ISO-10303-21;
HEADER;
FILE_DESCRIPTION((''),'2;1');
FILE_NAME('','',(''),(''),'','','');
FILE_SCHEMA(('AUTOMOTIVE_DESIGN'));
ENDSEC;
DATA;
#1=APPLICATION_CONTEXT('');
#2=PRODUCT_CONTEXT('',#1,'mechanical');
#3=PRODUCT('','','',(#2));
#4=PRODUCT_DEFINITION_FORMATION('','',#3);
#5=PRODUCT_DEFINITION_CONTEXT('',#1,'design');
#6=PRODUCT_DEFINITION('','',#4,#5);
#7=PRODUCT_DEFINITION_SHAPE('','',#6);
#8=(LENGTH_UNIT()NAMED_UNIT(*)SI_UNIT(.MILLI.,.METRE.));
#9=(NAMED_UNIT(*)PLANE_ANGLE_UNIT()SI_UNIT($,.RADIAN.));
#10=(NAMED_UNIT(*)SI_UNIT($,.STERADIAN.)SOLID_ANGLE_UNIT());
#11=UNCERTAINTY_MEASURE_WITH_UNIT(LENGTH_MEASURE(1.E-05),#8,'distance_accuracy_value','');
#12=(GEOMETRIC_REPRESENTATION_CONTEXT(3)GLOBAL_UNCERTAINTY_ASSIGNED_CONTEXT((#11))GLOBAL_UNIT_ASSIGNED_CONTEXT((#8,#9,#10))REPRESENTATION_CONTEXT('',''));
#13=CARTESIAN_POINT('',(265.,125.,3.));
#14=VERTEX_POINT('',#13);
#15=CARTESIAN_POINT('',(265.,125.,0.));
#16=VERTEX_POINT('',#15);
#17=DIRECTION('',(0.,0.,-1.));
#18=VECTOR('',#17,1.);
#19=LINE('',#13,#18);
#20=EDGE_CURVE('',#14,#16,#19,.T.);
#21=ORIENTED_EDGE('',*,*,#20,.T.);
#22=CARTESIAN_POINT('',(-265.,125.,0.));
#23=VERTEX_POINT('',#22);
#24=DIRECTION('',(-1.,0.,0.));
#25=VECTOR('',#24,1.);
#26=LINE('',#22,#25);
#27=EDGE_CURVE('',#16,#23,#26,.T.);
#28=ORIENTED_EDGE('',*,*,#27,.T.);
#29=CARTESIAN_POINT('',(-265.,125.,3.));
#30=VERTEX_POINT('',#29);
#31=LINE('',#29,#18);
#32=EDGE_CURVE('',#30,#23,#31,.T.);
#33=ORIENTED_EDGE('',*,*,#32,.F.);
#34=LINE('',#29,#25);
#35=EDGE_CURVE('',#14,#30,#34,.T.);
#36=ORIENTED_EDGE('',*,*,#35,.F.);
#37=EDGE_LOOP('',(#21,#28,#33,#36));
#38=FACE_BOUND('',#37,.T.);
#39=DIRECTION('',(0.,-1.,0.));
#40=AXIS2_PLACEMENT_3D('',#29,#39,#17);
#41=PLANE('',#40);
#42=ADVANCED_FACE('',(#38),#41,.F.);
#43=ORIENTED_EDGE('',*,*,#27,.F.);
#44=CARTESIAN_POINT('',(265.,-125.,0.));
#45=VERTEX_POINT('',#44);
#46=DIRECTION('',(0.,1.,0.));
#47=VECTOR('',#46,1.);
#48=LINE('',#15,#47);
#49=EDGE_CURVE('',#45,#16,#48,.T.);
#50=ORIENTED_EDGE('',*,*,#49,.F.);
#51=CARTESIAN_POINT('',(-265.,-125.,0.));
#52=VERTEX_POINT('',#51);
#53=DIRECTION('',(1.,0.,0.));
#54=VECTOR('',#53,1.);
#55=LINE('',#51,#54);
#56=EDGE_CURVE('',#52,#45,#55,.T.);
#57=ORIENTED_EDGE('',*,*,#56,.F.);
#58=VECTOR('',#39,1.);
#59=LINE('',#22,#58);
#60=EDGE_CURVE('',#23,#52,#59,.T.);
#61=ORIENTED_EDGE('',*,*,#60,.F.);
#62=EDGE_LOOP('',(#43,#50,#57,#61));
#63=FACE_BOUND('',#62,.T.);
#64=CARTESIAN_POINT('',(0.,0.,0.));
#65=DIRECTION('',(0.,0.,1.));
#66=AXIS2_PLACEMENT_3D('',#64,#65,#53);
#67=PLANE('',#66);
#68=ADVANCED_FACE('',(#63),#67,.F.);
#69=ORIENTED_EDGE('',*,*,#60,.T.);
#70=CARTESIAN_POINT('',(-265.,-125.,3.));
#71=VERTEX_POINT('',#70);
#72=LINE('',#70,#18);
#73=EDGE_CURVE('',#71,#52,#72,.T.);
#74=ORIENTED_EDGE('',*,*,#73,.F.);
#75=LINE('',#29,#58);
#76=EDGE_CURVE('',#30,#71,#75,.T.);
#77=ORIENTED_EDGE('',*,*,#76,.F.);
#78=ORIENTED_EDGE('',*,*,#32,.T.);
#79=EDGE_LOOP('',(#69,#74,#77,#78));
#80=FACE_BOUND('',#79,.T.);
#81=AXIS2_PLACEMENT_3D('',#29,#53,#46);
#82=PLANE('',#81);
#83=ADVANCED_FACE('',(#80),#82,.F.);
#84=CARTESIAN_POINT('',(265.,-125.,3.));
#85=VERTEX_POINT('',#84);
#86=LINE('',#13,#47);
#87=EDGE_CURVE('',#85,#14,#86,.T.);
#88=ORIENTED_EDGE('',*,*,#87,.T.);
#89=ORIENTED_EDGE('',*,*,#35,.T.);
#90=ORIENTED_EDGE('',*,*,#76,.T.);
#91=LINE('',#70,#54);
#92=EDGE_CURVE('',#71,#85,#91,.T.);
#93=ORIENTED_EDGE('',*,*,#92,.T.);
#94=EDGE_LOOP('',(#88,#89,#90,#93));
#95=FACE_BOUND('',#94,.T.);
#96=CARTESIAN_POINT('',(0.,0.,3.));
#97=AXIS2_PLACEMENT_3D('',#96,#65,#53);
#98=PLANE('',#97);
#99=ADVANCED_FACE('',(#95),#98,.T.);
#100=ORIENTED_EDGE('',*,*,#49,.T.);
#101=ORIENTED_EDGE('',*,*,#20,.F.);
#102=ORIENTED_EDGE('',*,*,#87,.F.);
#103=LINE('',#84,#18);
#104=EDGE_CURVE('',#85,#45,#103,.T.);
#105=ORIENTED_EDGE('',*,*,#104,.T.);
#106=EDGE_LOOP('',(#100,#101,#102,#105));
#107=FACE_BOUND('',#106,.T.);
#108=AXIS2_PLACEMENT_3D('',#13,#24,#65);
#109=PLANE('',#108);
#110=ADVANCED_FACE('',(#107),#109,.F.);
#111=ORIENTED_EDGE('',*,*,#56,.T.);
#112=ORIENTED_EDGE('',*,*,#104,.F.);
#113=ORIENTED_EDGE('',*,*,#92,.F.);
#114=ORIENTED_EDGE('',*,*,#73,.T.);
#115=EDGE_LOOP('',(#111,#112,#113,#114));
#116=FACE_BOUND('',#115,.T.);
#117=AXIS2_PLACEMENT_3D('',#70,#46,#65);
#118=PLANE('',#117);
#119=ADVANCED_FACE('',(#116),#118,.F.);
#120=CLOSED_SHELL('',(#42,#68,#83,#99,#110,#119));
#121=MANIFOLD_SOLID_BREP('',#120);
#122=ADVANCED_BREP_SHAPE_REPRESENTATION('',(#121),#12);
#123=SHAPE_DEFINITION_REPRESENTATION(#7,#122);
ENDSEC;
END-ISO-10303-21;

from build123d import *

# Parameters (mm, degrees)
ESBO_O1_W                = 530
ESBO_O1_H                = 250
RESSALTO_EXTRUS_O1_DEPTH = 3


with BuildPart() as part:
    # Esboço1 → Ressalto-extrusão1 (new body)
    with BuildSketch(Plane.XY):
        Rectangle(ESBO_O1_W, ESBO_O1_H)
    extrude(amount=RESSALTO_EXTRUS_O1_DEPTH)


solid = part.part
